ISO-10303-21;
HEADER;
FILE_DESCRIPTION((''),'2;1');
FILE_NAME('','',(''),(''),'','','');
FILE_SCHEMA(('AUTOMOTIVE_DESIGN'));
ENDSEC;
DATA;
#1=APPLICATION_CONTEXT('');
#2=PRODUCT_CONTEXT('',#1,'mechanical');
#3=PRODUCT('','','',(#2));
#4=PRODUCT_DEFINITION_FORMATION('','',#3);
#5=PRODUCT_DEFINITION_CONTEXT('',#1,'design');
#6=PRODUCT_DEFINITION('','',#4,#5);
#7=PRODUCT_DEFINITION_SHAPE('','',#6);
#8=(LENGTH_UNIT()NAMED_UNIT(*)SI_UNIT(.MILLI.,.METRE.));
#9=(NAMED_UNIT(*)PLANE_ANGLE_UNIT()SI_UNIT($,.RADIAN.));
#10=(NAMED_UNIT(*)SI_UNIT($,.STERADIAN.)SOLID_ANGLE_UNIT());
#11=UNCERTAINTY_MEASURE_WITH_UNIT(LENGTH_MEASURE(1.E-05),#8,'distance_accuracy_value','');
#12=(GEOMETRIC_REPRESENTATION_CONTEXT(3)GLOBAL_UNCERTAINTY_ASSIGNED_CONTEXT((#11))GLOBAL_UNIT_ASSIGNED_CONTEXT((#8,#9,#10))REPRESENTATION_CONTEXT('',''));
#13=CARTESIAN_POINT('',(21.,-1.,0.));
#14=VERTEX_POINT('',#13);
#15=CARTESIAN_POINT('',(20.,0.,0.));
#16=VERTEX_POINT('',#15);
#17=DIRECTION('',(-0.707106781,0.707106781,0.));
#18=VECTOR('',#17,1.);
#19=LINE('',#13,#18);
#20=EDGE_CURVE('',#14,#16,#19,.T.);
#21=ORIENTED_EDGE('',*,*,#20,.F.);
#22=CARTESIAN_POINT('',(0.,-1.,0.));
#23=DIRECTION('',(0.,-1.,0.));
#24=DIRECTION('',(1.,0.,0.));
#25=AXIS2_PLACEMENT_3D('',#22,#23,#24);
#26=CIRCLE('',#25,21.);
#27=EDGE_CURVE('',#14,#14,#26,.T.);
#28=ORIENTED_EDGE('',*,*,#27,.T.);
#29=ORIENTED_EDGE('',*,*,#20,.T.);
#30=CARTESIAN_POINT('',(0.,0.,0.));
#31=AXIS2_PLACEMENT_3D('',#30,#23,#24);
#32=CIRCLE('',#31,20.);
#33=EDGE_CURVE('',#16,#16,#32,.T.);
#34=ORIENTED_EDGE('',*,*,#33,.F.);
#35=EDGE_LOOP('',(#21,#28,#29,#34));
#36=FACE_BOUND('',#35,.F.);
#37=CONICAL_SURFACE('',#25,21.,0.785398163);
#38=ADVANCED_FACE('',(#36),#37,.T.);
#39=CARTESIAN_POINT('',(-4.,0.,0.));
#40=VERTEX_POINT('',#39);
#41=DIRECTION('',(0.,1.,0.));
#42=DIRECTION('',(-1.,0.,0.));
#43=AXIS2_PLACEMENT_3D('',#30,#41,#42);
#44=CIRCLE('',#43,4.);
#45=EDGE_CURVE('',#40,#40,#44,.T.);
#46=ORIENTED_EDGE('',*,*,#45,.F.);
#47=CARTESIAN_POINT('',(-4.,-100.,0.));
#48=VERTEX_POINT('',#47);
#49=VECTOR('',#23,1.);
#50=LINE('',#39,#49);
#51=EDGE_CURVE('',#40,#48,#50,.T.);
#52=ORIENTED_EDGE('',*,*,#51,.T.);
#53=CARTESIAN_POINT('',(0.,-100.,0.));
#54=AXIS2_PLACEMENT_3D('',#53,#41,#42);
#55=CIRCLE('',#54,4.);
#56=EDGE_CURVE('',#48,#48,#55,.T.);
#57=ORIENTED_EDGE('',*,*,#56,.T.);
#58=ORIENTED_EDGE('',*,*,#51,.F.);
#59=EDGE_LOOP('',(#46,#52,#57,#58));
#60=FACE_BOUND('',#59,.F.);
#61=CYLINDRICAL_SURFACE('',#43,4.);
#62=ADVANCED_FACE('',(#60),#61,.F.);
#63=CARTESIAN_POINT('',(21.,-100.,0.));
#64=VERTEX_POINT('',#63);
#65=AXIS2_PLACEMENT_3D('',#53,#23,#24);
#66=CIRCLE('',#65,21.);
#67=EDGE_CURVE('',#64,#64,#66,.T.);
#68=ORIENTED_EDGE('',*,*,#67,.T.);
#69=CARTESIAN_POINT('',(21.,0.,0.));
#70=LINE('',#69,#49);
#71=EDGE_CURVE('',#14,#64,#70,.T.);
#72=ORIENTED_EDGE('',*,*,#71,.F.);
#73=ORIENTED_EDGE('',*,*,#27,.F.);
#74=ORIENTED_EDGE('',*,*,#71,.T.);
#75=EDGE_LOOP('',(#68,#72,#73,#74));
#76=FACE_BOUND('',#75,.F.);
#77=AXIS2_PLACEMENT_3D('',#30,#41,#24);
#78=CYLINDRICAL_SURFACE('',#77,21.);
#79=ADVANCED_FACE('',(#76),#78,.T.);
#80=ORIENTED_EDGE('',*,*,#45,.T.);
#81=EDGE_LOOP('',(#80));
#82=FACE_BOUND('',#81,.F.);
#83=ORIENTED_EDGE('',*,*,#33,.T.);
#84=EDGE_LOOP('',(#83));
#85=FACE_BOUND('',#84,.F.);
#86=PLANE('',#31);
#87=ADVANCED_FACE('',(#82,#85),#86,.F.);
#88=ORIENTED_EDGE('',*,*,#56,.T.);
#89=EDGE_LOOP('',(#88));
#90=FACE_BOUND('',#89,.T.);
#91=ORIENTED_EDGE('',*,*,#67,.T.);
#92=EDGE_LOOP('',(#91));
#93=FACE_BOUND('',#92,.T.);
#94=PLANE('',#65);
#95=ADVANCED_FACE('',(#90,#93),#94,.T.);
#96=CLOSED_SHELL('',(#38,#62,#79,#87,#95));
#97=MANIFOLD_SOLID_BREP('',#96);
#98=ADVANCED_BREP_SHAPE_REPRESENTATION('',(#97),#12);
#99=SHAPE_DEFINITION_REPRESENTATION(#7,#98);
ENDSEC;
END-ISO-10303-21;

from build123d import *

# Parameters (mm, degrees)
F0_R     = 21
F1_DEPTH = 100
F2_SIZE  = 1
F3_R     = 4
F4_DEPTH = 100.001


with BuildPart() as f1:
    # F0 (on Front) → F1 (new body)
    with BuildSketch(Plane.XZ):
        Circle(F0_R)
    extrude(amount=F1_DEPTH)

    # F2
    f2_edges = [f1.edges().sort_by_distance(p)[0] for p in [
        (-21, 0, 0),
    ]]
    chamfer(f2_edges, length=F2_SIZE)

    # F3 (on face) → F4 (cut, through all)
    with BuildSketch(Plane(origin=(0, 0, 0), x_dir=(-1, 0, 0), z_dir=(0, 1, 0))):
        Circle(F3_R)
    extrude(amount=-F4_DEPTH, mode=Mode.SUBTRACT)


solid = f1.part
